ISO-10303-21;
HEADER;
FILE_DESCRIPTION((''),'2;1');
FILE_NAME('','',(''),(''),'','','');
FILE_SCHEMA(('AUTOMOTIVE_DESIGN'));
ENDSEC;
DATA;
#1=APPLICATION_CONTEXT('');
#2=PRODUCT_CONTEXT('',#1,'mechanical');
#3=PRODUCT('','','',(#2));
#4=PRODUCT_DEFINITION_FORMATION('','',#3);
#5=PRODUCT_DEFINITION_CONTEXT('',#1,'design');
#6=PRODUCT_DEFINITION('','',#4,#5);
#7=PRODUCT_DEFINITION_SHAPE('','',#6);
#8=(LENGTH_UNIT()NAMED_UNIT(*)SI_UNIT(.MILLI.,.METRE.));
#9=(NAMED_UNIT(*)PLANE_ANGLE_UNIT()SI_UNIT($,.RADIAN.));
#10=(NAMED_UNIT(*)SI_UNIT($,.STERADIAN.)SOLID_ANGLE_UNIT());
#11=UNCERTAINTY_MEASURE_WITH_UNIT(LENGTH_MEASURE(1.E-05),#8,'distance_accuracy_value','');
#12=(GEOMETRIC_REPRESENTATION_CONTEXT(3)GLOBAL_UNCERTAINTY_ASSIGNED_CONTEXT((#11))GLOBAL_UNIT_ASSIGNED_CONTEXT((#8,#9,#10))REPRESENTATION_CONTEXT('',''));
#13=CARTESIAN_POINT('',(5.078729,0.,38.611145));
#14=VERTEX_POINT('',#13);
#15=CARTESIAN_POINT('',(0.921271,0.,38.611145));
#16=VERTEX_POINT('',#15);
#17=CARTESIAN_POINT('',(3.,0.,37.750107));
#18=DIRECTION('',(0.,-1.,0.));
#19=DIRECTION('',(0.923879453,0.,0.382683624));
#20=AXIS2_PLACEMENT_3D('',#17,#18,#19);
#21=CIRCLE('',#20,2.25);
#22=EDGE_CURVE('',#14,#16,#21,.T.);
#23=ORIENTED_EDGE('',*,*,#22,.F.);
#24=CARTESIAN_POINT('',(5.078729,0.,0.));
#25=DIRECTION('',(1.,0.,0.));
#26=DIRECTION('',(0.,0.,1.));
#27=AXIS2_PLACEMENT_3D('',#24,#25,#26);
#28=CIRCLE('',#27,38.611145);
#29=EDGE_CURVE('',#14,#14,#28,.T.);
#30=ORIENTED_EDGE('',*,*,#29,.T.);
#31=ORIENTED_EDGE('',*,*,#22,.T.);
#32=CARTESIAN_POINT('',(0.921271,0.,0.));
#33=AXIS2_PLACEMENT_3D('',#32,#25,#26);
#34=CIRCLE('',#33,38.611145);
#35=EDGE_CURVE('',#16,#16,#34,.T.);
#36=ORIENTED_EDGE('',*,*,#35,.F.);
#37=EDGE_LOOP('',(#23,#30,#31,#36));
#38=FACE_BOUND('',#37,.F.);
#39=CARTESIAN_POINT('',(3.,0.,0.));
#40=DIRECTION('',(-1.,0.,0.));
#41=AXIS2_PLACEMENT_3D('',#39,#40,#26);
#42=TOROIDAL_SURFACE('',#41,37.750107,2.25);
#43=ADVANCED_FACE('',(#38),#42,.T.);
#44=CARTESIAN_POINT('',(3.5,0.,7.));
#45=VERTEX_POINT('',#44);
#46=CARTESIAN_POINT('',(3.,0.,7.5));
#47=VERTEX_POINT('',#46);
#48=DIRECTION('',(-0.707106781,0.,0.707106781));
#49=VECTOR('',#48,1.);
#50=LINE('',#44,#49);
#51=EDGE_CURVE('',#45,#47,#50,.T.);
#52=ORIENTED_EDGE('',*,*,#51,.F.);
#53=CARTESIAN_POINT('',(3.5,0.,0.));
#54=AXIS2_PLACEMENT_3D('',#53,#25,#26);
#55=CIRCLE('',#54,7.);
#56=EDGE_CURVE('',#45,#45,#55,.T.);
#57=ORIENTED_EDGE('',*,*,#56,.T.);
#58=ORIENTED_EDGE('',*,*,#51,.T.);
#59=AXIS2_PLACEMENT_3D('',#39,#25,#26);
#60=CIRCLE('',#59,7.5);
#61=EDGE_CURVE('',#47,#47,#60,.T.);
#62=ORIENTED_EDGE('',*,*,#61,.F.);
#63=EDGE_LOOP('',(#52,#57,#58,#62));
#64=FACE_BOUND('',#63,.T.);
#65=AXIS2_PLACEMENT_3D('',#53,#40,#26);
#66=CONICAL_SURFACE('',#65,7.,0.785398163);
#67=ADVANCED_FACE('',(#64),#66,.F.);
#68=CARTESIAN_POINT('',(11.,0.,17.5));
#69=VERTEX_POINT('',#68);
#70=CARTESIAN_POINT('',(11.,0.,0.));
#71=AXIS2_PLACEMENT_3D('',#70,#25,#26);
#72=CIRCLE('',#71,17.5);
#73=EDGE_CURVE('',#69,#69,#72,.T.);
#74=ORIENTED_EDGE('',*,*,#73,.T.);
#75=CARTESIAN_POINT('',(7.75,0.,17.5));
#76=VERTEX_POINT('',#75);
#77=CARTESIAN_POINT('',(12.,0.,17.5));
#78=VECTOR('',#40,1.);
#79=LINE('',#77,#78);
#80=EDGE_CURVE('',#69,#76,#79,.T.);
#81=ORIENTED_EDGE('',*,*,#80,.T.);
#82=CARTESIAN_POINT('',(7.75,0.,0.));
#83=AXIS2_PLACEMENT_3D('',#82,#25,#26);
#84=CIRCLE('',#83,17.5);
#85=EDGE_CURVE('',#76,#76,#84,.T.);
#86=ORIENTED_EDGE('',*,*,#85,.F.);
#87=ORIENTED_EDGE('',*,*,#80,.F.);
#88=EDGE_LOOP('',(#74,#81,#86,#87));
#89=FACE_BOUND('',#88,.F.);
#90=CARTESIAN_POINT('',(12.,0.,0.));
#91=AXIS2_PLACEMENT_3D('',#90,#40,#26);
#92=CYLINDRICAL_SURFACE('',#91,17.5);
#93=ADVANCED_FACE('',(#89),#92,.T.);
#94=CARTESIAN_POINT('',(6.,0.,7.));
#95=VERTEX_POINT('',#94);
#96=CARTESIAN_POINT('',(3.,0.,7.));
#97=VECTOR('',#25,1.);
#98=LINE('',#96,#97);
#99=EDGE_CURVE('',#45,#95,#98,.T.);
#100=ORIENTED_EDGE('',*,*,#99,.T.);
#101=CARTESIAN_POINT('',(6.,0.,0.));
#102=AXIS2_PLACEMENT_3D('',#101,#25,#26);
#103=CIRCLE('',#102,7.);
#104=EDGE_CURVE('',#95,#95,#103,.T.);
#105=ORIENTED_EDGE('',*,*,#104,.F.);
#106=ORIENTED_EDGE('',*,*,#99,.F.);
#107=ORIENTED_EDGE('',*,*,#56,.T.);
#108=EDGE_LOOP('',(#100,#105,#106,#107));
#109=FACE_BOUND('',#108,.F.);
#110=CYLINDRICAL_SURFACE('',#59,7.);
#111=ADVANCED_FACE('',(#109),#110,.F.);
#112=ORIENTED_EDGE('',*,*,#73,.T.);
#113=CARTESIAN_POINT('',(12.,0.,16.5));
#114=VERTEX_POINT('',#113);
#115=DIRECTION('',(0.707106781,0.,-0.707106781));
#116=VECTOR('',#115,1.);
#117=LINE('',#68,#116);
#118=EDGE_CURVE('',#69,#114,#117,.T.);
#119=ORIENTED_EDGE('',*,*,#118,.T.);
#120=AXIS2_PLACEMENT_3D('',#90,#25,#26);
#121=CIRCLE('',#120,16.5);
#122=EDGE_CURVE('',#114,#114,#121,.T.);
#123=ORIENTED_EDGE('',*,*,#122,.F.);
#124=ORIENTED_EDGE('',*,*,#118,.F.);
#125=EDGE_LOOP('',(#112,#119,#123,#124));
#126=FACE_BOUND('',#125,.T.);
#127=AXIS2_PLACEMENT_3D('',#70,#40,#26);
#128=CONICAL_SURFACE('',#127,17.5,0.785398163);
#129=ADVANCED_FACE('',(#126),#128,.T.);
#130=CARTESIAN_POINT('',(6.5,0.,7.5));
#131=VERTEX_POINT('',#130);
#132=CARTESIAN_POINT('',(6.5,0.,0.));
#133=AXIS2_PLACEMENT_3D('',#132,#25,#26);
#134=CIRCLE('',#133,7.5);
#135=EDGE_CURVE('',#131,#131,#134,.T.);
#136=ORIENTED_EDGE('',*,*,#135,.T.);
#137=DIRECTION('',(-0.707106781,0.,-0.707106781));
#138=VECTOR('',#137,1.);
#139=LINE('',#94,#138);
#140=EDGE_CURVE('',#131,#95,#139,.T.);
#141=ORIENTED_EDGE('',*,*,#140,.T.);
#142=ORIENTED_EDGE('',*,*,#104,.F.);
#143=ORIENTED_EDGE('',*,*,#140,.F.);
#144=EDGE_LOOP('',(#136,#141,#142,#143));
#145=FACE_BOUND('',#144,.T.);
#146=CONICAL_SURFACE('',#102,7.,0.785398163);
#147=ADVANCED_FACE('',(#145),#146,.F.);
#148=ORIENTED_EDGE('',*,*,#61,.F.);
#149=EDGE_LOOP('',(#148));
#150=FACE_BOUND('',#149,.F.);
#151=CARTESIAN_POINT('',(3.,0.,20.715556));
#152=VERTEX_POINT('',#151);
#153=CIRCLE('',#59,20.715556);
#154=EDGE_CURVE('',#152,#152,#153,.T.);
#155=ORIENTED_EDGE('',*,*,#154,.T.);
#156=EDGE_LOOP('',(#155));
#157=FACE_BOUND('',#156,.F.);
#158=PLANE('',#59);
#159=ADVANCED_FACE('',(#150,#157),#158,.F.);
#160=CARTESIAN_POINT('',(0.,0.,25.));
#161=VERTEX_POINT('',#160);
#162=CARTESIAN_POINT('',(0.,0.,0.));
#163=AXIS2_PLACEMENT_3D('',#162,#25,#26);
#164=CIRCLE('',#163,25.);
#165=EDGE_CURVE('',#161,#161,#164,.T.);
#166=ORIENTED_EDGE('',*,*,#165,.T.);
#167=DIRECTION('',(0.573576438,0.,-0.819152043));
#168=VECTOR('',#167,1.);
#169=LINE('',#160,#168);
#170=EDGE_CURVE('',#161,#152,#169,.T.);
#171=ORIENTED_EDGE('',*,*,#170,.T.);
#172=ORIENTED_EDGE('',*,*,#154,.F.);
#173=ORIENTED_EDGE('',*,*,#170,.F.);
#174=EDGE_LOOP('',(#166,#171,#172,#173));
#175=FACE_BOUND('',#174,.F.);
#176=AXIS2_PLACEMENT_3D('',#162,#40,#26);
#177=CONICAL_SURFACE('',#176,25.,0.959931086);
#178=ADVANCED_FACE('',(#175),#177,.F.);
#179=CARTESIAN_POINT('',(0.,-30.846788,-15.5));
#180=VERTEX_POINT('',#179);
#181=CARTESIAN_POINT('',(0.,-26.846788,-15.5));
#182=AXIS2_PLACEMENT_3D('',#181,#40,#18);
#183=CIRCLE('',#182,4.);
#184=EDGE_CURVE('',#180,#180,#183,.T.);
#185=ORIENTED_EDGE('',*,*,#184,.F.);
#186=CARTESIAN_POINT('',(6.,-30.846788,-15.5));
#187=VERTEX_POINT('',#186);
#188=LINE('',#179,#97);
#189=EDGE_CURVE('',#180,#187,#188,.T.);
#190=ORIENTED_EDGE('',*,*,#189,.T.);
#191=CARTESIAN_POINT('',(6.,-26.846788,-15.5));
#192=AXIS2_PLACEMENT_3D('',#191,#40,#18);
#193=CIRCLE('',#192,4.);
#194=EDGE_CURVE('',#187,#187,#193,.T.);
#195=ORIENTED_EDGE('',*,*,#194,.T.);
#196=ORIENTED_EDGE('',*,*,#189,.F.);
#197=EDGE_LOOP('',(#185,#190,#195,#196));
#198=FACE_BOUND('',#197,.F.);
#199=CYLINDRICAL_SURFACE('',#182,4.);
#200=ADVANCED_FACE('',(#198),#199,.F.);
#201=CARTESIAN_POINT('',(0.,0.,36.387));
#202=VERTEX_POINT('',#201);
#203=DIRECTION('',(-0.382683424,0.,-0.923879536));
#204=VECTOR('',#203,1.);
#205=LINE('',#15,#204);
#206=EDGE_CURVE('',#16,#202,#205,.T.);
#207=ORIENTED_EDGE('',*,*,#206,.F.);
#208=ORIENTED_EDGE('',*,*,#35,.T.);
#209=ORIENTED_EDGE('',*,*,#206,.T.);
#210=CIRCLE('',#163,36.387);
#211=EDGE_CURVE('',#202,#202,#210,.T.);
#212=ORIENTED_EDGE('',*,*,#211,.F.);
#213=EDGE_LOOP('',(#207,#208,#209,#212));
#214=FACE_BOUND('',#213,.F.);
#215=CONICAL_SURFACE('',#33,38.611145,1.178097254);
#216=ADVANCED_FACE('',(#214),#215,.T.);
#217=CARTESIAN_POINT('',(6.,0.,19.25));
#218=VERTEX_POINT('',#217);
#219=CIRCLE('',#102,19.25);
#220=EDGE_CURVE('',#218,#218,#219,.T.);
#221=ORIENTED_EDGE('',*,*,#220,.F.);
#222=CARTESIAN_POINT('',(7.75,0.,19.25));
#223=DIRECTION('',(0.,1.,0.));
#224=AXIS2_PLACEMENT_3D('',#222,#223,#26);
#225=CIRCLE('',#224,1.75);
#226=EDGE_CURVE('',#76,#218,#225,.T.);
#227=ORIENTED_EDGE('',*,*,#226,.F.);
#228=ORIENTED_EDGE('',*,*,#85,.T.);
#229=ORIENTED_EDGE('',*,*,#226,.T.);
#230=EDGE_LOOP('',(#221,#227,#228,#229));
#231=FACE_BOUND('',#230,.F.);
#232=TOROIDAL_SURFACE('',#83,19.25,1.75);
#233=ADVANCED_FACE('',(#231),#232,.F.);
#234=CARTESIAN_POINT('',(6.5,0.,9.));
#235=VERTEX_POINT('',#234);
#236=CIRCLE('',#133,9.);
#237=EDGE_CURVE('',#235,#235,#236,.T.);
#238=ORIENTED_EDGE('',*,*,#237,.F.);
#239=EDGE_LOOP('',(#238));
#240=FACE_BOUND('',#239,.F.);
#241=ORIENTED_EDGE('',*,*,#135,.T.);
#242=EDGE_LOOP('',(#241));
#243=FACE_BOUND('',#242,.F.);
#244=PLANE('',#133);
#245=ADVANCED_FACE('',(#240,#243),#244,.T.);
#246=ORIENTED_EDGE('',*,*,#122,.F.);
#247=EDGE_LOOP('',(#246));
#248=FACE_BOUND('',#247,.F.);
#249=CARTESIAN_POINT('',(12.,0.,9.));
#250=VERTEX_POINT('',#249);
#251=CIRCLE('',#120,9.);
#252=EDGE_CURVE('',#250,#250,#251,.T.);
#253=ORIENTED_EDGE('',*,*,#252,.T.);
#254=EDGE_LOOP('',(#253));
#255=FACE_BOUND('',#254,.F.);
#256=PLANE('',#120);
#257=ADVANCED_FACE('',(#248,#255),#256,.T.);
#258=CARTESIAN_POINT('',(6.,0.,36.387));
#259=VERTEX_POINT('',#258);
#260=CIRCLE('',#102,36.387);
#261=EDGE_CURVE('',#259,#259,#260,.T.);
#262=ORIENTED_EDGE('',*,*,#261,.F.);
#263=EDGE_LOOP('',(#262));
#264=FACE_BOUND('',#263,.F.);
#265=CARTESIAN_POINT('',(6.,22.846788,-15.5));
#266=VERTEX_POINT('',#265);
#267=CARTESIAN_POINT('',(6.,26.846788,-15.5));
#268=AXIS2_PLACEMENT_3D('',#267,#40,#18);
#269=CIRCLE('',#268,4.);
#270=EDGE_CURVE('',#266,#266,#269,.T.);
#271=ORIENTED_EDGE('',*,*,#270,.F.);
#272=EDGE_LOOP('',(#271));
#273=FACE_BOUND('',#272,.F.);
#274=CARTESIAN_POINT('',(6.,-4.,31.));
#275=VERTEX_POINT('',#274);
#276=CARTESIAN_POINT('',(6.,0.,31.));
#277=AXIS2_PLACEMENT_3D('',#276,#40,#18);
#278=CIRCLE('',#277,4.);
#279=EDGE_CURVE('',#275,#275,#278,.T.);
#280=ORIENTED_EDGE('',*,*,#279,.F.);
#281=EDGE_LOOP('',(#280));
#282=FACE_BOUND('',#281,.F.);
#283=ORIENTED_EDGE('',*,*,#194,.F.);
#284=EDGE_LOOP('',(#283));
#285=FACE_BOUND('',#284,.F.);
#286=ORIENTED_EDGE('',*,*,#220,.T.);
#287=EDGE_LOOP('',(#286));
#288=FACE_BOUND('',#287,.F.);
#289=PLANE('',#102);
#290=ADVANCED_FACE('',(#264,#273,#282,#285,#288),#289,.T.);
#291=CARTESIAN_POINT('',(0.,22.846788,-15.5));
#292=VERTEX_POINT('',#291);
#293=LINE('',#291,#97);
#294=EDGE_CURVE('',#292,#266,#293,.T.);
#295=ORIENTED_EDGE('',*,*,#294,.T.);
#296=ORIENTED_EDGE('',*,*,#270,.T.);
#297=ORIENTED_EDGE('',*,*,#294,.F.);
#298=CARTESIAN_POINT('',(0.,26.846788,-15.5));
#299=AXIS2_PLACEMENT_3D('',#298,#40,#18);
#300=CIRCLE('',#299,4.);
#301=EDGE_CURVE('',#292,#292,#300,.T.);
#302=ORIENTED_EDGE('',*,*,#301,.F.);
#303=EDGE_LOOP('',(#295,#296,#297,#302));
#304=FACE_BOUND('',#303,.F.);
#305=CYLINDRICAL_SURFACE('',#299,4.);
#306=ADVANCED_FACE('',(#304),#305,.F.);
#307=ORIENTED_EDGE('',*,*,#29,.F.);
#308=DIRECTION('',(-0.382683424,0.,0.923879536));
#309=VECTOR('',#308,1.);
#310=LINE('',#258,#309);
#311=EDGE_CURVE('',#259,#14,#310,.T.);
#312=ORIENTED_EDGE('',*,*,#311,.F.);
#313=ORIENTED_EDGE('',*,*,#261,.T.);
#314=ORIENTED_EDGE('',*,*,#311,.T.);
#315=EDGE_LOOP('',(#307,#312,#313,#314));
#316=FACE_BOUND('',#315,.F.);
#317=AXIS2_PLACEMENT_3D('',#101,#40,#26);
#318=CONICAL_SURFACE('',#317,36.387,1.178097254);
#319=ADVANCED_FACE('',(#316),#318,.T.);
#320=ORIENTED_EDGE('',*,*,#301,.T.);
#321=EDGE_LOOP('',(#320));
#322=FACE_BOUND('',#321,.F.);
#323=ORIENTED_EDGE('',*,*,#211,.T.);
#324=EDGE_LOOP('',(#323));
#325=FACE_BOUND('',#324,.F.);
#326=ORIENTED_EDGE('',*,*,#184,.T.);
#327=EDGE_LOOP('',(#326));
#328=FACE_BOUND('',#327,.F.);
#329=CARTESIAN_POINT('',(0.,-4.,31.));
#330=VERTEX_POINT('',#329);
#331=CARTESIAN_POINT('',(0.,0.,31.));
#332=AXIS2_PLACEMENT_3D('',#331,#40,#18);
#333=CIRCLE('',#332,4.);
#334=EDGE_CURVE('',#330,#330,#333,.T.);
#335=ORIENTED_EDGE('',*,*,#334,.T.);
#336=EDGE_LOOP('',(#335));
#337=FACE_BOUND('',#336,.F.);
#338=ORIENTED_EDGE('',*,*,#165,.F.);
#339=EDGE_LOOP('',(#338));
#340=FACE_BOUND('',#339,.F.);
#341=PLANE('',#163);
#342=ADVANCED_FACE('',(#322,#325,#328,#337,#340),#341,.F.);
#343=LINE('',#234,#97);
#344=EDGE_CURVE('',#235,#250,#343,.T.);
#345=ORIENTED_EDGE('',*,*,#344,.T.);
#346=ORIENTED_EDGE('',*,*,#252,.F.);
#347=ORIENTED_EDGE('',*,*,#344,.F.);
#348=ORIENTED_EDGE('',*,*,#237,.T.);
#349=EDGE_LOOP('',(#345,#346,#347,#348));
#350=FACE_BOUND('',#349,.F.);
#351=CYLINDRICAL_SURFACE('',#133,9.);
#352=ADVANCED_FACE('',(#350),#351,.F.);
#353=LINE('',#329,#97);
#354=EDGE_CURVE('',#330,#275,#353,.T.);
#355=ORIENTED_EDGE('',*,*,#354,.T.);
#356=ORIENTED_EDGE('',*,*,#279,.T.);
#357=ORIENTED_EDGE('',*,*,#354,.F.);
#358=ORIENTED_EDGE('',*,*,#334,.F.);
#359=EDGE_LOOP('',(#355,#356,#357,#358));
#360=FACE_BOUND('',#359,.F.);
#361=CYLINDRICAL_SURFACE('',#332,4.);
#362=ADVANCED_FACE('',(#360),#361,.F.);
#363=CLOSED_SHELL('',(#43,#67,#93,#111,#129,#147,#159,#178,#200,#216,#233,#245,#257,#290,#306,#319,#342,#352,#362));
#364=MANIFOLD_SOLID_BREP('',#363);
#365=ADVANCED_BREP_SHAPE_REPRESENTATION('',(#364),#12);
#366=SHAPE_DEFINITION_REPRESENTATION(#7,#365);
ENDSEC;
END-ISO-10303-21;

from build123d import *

# Parameters (mm, degrees)
F2_R     = 1.75
F3_SIZE  = 1
F4_R     = 4
F5_DEPTH = 25
F6_SIZE  = 0.5
F7_SIZE  = 0.5


with BuildPart() as f1:
    # F0 (on Front) → F1 (revolve)
    with BuildSketch(Plane.XZ):
        with BuildLine():
            Line((0, 36.387), (0, 25))
            Line((0, 25), (3, 20.715556))
            Line((3, 20.715556), (3, 7))
            Line((3, 7), (6.5, 7))
            Line((6.5, 7), (6.5, 9))
            Line((6.5, 9), (12, 9))
            Line((12, 9), (12, 17.5))
            Line((12, 17.5), (6, 17.5))
            Line((6, 17.5), (6, 36.387))
            Line((6, 36.387), (5.078729, 38.611145))
            ThreePointArc((5.078729, 38.611145), (3, 40.000107), (0.921271, 38.611145))
            Line((0.921271, 38.611145), (0, 36.387))
        make_face()
    revolve(axis=Axis((11.340396, 0, 0), (1, 0, 0)))

    # F2
    f2_edges = [f1.edges().sort_by_distance(p)[0] for p in [
        (6, 0, -17.5),
    ]]
    fillet(f2_edges, radius=F2_R)

    # F3
    f3_edges = [f1.edges().sort_by_distance(p)[0] for p in [
        (12, 0, -17.5),
    ]]
    chamfer(f3_edges, length=F3_SIZE)

    # F4 (on face) → F5 (cut)
    with BuildSketch(Plane(origin=(0, 0, 0), x_dir=(0, -1, 0), z_dir=(-1, 0, 0))):
        with Locations((0, 31)):
            Circle(F4_R)
        with Locations((-26.846788, -15.5)):
            Circle(F4_R)
        with Locations((26.846788, -15.5)):
            Circle(F4_R)
    extrude(amount=-F5_DEPTH, mode=Mode.SUBTRACT)

    # F6
    f6_edges = [f1.edges().sort_by_distance(p)[0] for p in [
        (6.5, 0, -7),
    ]]
    chamfer(f6_edges, length=F6_SIZE)

    # F7
    f7_edges = [f1.edges().sort_by_distance(p)[0] for p in [
        (3, 0, -7),
    ]]
    chamfer(f7_edges, length=F7_SIZE)


solid = f1.part
